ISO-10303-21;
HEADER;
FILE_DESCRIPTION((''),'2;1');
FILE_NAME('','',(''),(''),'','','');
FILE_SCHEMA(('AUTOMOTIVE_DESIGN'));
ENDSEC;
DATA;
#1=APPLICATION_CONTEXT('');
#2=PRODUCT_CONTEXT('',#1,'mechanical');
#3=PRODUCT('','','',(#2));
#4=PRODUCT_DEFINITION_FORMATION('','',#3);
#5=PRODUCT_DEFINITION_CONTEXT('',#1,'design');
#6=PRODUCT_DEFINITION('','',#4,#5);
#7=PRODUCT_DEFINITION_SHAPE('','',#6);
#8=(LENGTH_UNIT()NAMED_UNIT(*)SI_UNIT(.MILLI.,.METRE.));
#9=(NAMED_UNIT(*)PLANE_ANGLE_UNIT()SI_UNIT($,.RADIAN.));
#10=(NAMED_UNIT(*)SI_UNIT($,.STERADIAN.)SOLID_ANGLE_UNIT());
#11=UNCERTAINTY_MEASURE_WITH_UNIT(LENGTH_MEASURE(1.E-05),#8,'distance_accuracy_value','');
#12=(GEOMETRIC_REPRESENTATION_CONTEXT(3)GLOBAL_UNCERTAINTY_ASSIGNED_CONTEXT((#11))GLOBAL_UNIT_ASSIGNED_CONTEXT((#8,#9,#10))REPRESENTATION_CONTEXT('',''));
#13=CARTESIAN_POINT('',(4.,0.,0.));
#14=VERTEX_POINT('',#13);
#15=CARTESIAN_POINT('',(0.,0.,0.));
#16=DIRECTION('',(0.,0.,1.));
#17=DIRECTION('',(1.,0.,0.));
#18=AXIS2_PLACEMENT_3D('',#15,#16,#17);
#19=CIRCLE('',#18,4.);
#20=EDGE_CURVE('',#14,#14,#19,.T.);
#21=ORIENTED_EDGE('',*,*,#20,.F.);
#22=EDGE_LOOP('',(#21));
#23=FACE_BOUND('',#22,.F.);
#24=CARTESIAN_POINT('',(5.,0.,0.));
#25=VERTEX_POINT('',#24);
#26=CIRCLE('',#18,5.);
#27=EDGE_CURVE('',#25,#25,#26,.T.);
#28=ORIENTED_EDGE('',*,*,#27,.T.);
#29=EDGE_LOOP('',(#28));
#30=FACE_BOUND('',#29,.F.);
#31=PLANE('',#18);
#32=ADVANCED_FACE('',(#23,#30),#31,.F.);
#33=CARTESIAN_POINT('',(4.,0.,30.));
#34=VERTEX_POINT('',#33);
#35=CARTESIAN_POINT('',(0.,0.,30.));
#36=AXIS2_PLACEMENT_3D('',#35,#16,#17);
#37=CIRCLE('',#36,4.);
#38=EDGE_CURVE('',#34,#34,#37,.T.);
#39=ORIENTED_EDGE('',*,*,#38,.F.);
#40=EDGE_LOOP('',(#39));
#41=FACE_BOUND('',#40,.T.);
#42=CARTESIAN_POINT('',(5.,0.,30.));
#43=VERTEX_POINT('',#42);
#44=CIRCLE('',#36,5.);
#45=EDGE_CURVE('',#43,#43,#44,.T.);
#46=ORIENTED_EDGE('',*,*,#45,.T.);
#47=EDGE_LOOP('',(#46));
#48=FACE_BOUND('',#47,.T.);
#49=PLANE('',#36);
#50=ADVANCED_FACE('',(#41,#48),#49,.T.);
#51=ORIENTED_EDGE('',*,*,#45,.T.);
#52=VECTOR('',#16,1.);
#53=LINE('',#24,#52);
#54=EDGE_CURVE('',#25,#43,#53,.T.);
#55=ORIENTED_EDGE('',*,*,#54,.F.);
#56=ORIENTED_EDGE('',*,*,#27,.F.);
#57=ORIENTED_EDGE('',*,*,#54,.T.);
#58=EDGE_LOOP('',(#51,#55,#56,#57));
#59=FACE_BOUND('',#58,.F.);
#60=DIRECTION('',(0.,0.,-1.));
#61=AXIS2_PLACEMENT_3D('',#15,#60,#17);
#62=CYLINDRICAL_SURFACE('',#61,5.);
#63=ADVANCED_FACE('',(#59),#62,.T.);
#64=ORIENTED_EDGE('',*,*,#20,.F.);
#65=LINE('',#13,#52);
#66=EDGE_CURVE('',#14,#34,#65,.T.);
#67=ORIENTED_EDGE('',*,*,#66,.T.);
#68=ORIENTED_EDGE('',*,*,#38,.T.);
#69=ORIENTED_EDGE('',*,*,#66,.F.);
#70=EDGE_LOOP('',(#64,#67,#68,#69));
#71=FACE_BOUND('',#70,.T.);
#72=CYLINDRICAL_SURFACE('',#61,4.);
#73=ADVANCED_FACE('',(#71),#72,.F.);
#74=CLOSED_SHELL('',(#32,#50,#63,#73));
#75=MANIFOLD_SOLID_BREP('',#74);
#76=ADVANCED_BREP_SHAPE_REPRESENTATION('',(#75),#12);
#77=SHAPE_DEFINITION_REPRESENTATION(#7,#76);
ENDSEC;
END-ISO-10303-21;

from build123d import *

# Parameters (mm, degrees)
SKETCH_R   = 5
SKETCH_R_2 = 4
PAD_DEPTH  = 30


with BuildPart() as part:
    # Sketch → Pad (new body)
    with BuildSketch(Plane.XY):
        Circle(SKETCH_R)
        Circle(SKETCH_R_2, mode=Mode.SUBTRACT)
    extrude(amount=PAD_DEPTH)


solid = part.part
